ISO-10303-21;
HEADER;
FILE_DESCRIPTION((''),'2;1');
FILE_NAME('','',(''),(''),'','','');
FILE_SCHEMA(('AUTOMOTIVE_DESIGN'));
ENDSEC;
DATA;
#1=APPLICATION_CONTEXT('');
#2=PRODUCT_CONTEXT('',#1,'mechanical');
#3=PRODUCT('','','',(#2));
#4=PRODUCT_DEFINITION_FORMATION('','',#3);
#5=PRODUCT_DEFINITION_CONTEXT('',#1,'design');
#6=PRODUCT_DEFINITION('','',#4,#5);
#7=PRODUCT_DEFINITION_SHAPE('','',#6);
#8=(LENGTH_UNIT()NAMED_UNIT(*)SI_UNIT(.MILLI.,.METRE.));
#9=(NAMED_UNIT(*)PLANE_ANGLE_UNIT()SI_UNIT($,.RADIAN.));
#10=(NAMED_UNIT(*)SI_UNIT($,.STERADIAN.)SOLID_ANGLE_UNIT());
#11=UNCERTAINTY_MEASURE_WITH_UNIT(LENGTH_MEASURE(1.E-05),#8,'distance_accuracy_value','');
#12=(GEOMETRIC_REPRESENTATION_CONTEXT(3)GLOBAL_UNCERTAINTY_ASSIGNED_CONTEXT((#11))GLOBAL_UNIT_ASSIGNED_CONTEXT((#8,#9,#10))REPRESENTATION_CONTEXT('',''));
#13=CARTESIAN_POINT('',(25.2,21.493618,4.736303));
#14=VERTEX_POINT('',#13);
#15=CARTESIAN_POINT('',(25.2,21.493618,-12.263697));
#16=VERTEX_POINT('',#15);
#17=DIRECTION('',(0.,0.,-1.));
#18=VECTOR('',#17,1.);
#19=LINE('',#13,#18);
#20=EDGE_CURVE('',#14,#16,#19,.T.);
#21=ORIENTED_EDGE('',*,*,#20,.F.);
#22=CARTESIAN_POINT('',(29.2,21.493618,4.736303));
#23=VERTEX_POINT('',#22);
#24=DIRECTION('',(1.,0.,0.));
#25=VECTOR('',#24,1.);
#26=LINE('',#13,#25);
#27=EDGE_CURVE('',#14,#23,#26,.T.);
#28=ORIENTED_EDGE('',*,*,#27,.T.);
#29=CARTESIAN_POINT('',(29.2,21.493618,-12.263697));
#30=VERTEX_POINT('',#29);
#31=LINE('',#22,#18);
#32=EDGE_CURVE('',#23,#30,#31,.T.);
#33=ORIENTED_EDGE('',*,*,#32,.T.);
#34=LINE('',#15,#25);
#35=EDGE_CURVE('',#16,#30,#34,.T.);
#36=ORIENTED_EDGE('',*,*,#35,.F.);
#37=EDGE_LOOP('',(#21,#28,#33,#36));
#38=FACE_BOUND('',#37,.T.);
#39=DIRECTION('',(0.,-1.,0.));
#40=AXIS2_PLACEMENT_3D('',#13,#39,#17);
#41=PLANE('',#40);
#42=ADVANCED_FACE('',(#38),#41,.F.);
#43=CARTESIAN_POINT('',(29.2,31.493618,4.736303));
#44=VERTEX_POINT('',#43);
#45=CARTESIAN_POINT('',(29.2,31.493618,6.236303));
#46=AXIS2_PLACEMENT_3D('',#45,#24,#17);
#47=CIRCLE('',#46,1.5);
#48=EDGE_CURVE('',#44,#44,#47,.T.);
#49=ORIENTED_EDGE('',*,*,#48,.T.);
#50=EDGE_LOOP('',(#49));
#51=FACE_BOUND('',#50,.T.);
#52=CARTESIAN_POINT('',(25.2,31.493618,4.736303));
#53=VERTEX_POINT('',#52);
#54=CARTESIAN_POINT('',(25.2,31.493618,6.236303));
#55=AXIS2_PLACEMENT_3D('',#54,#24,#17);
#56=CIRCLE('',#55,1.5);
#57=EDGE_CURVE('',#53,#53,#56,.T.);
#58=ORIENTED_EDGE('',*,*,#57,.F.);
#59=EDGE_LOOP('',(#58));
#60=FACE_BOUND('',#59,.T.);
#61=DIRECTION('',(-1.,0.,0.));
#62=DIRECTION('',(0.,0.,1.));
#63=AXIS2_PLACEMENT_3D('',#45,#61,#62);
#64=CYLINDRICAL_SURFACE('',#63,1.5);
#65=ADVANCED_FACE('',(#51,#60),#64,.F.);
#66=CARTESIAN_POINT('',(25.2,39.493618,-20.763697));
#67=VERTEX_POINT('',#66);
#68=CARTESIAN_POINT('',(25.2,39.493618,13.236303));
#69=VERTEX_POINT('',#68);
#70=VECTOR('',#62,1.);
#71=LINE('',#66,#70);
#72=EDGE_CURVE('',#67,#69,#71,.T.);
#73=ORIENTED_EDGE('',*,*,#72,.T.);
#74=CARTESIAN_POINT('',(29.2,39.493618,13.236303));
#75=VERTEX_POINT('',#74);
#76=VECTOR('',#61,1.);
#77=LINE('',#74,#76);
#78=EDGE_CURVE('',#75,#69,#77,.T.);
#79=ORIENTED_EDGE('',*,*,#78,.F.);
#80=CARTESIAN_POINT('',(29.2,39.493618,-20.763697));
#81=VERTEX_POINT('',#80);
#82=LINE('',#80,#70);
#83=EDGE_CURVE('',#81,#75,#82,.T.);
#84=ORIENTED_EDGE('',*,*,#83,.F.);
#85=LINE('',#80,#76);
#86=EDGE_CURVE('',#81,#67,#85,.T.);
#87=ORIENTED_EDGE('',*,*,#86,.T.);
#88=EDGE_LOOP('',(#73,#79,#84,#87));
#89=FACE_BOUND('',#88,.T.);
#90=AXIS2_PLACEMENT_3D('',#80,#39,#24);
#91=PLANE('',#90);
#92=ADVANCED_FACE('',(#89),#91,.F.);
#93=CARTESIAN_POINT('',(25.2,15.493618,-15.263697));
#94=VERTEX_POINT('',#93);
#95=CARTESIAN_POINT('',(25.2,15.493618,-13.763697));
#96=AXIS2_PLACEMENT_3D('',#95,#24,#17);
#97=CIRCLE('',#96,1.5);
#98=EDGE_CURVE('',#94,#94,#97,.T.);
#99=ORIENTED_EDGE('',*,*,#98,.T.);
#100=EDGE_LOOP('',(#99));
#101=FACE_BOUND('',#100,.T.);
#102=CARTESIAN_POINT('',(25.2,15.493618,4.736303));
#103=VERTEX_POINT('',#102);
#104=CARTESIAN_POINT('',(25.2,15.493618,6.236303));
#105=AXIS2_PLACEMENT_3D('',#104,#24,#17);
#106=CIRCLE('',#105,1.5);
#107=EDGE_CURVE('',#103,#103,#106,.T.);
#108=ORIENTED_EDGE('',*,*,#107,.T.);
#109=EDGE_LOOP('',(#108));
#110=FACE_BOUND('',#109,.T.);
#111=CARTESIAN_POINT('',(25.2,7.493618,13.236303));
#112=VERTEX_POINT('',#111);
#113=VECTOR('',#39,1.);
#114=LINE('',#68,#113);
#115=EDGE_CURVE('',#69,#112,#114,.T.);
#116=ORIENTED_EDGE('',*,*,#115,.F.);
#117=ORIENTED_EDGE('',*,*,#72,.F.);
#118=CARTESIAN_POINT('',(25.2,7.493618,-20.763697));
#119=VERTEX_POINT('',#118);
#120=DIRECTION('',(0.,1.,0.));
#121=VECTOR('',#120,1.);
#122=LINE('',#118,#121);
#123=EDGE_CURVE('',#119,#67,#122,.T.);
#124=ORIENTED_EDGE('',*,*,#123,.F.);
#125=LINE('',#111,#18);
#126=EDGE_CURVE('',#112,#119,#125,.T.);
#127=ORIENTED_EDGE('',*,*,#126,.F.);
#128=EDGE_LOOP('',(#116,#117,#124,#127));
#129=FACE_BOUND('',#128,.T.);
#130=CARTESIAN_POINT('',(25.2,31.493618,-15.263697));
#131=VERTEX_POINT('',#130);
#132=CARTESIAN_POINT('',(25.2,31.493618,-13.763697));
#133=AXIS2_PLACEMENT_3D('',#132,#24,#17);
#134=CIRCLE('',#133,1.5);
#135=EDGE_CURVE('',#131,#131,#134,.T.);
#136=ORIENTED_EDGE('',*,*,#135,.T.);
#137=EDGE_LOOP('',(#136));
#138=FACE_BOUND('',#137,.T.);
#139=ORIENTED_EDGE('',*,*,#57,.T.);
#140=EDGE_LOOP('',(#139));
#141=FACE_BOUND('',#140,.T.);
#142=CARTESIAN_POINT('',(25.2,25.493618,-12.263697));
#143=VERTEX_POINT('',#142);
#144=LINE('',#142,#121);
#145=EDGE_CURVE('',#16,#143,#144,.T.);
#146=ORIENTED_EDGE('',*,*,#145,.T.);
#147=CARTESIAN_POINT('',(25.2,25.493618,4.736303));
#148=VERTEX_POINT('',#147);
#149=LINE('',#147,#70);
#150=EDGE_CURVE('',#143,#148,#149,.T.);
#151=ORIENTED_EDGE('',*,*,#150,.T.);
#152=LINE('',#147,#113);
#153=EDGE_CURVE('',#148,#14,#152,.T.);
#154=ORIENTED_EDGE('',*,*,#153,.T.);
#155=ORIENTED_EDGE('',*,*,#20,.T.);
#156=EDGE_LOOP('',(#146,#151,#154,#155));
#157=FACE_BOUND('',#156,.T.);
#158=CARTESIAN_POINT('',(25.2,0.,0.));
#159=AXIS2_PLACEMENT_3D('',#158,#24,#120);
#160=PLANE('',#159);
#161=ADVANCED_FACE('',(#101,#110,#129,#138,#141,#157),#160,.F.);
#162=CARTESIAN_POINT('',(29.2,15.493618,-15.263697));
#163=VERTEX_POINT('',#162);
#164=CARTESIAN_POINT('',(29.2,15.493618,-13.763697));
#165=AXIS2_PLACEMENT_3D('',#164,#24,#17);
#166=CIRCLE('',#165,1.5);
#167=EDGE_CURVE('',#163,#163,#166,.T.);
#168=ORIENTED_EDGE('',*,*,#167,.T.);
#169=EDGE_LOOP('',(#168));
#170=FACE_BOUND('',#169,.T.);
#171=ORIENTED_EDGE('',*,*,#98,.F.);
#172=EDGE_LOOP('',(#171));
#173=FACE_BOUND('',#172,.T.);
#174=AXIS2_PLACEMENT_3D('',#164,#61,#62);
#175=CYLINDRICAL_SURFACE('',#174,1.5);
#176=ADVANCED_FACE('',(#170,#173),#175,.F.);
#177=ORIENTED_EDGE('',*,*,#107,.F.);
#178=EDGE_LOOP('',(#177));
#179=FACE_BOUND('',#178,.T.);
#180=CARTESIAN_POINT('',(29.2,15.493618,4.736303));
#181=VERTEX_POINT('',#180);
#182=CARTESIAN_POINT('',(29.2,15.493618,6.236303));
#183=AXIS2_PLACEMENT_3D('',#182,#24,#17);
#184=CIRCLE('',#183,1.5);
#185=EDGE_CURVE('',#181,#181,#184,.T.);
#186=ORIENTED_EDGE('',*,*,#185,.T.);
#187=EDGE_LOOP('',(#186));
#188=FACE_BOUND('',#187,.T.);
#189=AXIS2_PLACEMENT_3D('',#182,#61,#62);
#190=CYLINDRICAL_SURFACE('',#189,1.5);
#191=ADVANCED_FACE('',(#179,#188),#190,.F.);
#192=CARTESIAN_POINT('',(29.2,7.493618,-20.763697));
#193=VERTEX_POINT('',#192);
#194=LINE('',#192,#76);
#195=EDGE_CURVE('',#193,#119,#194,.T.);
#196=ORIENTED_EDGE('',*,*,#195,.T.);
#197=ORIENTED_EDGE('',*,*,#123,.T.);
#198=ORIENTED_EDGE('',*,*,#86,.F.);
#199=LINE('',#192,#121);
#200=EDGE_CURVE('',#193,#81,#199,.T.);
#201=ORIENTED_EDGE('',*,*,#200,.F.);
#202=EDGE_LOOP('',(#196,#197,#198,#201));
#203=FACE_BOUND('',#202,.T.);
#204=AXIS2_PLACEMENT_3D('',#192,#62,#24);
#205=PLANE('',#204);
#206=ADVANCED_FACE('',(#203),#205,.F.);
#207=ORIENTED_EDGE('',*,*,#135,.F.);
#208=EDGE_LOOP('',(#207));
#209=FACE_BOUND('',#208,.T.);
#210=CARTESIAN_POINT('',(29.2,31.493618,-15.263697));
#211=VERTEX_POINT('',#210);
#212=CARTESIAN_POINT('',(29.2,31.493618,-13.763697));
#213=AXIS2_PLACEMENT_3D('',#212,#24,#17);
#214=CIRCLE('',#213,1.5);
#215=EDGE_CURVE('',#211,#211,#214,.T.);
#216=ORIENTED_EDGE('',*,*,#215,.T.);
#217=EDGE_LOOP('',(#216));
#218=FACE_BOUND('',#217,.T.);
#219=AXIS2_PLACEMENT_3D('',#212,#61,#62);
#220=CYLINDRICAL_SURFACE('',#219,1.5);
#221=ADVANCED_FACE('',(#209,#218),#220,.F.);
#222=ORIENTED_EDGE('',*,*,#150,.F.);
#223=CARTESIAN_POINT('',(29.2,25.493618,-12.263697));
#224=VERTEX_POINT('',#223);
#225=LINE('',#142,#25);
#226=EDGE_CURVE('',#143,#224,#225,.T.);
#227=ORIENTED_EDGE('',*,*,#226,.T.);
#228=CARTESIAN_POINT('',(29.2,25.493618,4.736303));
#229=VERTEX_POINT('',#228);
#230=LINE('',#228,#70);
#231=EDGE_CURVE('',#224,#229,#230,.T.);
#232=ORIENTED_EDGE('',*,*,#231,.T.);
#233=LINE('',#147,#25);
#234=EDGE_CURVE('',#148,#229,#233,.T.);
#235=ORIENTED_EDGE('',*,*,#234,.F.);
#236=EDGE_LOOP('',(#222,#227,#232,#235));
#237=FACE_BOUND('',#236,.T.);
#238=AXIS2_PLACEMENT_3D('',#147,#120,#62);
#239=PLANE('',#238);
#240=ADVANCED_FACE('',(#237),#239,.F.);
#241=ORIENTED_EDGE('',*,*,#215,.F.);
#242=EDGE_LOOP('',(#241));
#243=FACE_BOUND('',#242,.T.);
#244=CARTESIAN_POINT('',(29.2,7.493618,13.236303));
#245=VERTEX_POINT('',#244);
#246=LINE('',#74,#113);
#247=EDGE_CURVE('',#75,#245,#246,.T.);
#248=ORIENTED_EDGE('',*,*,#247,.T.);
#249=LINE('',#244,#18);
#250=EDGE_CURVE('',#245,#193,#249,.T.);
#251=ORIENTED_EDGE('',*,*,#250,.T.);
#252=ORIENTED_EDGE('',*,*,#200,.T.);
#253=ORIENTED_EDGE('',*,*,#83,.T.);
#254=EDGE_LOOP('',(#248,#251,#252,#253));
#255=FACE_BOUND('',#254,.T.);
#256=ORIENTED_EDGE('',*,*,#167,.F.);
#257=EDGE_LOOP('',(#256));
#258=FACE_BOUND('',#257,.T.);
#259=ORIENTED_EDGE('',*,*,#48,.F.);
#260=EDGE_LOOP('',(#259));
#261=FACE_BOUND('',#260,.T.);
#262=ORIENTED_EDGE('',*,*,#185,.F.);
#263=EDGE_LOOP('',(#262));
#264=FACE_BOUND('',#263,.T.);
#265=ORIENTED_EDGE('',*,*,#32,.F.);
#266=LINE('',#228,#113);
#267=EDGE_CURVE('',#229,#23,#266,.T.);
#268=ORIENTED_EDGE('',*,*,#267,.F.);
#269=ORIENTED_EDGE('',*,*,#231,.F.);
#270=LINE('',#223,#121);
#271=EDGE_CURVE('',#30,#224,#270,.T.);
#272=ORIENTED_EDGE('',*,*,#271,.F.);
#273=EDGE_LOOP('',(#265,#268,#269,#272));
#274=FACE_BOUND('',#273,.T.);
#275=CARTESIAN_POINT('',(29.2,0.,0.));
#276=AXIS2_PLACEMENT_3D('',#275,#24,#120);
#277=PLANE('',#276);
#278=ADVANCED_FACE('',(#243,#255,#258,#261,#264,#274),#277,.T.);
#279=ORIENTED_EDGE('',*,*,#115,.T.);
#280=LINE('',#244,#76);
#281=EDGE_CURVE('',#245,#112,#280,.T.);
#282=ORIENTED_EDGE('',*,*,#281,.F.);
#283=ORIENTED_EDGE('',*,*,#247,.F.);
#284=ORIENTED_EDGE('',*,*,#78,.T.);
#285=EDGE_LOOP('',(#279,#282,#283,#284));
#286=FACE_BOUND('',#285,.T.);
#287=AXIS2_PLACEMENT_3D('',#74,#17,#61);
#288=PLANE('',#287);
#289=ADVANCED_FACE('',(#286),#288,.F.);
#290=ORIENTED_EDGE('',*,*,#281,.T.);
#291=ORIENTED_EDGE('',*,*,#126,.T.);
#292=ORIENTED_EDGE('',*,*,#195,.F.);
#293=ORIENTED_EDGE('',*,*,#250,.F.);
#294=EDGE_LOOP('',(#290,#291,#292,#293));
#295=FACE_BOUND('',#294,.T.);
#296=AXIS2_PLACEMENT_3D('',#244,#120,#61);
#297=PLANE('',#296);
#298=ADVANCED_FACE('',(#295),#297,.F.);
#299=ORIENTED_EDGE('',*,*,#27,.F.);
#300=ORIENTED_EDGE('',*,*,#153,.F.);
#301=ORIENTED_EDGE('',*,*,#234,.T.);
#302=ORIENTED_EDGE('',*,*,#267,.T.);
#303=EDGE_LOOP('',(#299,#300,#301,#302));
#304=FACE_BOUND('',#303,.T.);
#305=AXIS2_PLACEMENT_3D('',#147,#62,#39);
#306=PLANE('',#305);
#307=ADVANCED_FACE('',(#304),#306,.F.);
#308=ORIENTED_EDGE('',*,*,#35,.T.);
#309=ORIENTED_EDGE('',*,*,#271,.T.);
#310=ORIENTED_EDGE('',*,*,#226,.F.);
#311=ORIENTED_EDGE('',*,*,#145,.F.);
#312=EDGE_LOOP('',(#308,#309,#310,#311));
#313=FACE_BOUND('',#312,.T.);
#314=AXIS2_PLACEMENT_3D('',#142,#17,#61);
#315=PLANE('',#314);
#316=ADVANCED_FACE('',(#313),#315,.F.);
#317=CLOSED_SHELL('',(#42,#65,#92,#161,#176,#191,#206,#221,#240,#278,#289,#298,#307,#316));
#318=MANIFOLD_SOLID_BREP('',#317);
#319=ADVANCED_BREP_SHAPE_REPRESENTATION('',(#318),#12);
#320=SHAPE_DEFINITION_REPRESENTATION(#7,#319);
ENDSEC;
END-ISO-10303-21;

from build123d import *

# Parameters (mm, degrees)
SKETCH_1_W          = 34
SKETCH_1_H          = 32
SKETCH_1_R          = 1.5
EXTRUDE_1_DEPTH     = 4
SKETCH_2_W          = 17
SKETCH_2_H          = 4
CUT_EXTRUDE_1_DEPTH = 5


with BuildPart() as part:
    # Эскиз1 → Бобышка-Вытянуть1 (new body)
    with BuildSketch(Plane(origin=(25.2, 0, 0), x_dir=(0, 0, -1), z_dir=(1, 0, 0))):
        with Locations((3.763696673, 23.493617857)):
            Rectangle(SKETCH_1_W, SKETCH_1_H)
        with Locations((-6.236303327, 31.493617857)):
            Circle(SKETCH_1_R, mode=Mode.SUBTRACT)
        with Locations((13.763696673, 31.493617857)):
            Circle(SKETCH_1_R, mode=Mode.SUBTRACT)
        with Locations((-6.236303327, 15.493617857)):
            Circle(SKETCH_1_R, mode=Mode.SUBTRACT)
        with Locations((13.763696673, 15.493617857)):
            Circle(SKETCH_1_R, mode=Mode.SUBTRACT)
    extrude(amount=EXTRUDE_1_DEPTH)

    # Эскиз2 → Вырез-Вытянуть1 (cut, through all)
    with BuildSketch(Plane(origin=(29.2, 0, 0), x_dir=(0, 0, -1), z_dir=(1, 0, 0))):
        with Locations((3.763696673, 23.493617857)):
            Rectangle(SKETCH_2_W, SKETCH_2_H)
    extrude(amount=-CUT_EXTRUDE_1_DEPTH, mode=Mode.SUBTRACT)


solid = part.part
